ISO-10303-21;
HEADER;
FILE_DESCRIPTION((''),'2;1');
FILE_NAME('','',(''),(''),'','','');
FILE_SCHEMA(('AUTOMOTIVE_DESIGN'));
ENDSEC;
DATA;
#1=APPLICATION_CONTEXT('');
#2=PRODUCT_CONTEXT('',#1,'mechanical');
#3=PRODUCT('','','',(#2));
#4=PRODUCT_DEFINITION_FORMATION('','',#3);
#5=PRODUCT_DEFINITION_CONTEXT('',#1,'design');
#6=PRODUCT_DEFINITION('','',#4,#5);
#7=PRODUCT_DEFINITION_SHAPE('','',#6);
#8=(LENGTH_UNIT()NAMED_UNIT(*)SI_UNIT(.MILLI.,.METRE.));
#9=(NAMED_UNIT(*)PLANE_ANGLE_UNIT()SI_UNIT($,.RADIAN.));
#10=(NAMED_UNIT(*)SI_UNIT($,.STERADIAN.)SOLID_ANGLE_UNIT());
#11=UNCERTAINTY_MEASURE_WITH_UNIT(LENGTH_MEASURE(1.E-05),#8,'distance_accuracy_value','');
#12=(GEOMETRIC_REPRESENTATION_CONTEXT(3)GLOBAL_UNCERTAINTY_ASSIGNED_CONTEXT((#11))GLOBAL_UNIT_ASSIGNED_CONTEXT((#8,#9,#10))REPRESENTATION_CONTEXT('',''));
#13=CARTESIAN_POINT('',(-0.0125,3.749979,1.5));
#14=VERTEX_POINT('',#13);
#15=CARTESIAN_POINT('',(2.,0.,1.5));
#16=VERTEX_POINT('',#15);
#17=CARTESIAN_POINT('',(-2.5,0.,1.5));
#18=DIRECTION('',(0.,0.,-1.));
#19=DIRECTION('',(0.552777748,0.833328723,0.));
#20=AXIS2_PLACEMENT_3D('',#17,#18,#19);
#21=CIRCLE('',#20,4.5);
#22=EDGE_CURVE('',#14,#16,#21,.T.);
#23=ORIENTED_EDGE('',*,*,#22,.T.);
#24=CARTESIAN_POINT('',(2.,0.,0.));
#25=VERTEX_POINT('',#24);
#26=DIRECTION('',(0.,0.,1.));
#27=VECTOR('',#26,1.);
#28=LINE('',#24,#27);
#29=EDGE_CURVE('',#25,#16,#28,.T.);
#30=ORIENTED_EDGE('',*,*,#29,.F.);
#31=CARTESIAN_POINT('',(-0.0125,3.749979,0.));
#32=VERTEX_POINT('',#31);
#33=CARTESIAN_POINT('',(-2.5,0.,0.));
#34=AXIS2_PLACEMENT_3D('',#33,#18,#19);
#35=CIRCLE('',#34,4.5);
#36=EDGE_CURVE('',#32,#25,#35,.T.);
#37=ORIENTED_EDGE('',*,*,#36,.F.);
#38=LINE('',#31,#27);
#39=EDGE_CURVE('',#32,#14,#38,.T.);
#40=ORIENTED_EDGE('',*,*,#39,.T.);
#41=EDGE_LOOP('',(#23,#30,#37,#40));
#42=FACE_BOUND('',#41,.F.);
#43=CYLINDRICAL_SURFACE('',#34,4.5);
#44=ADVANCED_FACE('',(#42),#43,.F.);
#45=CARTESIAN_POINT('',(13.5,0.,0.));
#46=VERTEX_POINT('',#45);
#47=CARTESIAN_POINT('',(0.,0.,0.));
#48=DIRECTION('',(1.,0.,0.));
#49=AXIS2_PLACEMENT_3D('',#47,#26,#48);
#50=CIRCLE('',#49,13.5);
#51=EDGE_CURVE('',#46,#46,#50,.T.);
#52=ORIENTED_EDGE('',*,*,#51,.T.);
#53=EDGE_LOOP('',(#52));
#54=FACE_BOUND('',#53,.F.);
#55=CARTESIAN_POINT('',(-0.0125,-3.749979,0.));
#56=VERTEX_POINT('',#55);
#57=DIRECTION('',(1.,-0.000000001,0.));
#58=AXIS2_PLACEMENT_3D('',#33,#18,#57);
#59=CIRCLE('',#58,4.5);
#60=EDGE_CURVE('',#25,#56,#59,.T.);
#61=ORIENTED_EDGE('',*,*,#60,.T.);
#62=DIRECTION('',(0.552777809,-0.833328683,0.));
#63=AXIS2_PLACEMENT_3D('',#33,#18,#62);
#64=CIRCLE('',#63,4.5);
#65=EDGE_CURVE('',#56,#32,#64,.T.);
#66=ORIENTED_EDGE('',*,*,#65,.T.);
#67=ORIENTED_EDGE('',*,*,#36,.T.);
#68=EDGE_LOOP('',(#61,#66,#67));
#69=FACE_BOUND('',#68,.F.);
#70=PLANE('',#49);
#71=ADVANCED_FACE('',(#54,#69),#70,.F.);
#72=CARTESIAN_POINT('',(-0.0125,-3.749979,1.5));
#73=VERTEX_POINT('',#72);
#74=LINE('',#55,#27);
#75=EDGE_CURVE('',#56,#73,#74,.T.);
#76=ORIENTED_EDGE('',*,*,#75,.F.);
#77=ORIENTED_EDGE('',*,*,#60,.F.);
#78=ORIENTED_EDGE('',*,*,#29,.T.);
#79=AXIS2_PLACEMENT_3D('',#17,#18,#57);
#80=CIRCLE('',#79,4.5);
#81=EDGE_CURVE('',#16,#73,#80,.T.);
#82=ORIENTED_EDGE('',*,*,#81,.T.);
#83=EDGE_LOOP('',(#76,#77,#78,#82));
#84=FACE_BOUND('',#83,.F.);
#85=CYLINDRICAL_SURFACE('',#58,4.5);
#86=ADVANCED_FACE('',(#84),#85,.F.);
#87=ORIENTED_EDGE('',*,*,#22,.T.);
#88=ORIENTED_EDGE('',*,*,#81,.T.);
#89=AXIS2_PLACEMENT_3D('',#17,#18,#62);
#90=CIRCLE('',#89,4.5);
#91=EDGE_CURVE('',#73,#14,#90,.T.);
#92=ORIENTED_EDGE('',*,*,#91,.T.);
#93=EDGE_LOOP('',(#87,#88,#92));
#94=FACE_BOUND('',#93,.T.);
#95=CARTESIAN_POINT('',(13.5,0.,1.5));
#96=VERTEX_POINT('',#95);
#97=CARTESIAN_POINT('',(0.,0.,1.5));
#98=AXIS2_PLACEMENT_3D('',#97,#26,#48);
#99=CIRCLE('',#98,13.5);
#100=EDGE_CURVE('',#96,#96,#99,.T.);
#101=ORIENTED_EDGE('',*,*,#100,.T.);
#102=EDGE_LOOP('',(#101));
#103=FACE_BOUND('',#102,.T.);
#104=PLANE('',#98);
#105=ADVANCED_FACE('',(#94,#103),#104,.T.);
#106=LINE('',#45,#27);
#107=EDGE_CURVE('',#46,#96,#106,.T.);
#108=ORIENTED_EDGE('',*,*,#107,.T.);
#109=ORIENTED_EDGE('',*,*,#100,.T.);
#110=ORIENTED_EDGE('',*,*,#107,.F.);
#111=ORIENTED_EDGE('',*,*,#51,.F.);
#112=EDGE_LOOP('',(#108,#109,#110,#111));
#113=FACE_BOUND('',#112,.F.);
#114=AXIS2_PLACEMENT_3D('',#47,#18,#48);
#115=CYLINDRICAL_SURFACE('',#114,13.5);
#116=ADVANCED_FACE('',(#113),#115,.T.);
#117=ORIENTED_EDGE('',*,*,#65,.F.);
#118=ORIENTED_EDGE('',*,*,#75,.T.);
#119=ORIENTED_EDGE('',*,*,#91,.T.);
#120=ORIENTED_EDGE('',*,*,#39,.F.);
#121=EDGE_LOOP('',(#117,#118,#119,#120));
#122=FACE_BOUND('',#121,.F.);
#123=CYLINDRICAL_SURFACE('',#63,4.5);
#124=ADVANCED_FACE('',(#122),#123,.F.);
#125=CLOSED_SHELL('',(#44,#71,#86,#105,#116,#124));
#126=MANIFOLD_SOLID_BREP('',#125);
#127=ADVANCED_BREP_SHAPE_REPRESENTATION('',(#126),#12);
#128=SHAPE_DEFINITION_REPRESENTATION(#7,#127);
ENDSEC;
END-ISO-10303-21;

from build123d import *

# Parameters (mm, degrees)
F0_R     = 13.5
F1_DEPTH = 1.5


with BuildPart() as f1:
    # F0 (on Top) → F1 (new body)
    with BuildSketch(Plane.XY):
        Circle(F0_R)
        with BuildLine():
            ThreePointArc((-0.0125, 3.749979), (2.647227, 2.656066), (3.75, 0))
            ThreePointArc((3.75, 0), (2.647227, -2.656066), (-0.0125, -3.749979))
            ThreePointArc((-0.0125, -3.749979), (-7, 0), (-0.0125, 3.749979))
        make_face(mode=Mode.SUBTRACT)
        with BuildLine():
            ThreePointArc((-0.0125, -3.749979), (2.647227, -2.656066), (3.75, 0))
            ThreePointArc((3.75, 0), (2.647227, 2.656066), (-0.0125, 3.749979))
            ThreePointArc((-0.0125, 3.749979), (1.465082, 2.127939), (2, 0))
            ThreePointArc((2, 0), (1.465082, -2.127939), (-0.0125, -3.749979))
        make_face()
    extrude(amount=F1_DEPTH)


solid = f1.part
